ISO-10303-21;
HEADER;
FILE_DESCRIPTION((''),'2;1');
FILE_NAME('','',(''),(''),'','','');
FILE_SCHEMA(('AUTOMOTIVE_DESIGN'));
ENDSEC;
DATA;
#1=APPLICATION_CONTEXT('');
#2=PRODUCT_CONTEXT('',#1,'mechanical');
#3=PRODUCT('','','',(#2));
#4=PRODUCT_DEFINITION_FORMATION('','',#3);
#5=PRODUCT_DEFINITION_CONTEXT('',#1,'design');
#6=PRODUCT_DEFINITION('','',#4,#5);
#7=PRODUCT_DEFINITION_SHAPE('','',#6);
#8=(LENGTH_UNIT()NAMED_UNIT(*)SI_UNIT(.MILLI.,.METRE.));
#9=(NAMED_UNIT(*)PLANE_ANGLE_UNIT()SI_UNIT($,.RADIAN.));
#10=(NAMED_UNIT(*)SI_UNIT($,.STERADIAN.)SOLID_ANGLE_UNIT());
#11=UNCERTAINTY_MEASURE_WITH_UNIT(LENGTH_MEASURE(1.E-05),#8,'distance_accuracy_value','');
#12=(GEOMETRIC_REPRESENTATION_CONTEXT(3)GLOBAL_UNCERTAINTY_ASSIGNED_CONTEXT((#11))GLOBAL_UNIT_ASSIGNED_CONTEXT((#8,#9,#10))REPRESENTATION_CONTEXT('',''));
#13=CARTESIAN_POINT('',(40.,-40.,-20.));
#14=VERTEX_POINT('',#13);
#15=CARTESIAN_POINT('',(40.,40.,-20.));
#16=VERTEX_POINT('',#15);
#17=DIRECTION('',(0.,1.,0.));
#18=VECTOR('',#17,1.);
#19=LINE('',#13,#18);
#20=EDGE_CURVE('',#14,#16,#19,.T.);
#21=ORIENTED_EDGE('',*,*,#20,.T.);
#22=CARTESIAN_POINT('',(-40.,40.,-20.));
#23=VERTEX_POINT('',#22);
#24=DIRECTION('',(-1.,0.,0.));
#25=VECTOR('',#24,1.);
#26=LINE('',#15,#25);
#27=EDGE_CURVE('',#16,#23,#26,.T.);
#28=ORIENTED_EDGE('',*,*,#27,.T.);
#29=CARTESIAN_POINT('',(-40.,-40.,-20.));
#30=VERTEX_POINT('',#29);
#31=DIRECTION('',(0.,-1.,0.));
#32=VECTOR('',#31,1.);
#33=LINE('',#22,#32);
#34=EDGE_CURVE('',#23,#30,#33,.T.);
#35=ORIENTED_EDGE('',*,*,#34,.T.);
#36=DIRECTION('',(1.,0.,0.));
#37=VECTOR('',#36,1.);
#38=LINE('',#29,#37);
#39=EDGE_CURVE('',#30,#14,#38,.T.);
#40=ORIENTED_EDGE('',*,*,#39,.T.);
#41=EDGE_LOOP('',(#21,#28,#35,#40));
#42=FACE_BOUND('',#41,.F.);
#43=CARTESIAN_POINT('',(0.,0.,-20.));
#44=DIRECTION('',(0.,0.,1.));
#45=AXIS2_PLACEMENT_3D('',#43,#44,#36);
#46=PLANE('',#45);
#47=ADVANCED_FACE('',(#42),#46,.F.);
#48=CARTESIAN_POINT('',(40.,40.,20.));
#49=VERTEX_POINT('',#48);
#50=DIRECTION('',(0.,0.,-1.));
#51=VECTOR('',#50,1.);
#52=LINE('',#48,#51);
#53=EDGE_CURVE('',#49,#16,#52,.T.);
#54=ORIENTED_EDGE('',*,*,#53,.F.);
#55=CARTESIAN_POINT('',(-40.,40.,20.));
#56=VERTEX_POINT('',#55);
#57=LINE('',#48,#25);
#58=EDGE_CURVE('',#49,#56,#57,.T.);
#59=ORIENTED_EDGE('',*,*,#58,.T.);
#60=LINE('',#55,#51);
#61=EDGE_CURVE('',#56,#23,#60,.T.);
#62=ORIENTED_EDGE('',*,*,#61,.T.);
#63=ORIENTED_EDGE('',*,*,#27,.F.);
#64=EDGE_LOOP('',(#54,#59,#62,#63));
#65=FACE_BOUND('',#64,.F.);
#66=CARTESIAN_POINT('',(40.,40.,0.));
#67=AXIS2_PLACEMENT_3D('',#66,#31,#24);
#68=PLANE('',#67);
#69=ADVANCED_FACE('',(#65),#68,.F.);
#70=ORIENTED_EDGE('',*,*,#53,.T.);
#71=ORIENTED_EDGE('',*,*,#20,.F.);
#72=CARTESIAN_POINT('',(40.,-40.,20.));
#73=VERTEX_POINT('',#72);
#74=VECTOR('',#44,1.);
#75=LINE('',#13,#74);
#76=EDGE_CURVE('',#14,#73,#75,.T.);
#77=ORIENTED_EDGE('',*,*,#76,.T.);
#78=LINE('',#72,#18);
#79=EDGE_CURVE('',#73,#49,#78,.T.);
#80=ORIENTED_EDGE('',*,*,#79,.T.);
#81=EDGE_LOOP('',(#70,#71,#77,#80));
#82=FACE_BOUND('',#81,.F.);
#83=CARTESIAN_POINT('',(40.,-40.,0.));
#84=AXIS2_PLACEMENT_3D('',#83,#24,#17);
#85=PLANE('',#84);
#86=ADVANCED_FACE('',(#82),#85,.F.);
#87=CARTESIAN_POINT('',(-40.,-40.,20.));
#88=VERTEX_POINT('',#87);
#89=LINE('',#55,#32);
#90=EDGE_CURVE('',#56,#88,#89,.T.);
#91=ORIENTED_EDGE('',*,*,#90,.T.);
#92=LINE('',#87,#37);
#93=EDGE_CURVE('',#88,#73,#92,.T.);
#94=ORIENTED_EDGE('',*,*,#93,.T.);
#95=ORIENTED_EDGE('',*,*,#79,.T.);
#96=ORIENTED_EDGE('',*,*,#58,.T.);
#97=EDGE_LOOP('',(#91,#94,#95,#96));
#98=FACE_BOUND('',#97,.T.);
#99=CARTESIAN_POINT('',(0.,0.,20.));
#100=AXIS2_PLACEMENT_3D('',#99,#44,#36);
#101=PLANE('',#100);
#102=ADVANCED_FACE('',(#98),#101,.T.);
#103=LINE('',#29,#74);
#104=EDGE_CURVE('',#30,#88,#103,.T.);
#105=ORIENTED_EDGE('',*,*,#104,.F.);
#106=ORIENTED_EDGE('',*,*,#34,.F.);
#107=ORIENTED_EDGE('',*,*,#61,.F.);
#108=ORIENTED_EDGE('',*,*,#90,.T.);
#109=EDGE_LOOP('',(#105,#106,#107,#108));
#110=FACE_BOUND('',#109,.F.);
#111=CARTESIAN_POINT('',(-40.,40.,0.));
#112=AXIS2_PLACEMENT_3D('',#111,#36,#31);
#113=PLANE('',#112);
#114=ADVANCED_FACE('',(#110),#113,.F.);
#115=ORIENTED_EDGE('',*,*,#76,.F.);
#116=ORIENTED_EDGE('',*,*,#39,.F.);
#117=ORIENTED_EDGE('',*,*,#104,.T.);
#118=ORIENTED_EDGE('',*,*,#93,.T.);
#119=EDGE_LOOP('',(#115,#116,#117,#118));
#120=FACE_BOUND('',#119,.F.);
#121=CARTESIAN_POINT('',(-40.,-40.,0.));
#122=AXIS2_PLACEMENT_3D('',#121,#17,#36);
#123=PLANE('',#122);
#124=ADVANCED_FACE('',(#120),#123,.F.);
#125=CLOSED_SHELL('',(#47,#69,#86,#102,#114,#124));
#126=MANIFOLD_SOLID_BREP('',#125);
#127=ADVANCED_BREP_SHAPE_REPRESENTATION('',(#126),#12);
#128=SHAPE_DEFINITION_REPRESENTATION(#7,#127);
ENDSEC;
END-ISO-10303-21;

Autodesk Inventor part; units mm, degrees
ref_plane "YZ Plane" through (0, 0, 0) normal (1, 0, 0) x (0, 1, 0)
ref_plane "XZ Plane" through (0, 0, 0) normal (0, 1, 0) x (-1, 0, 0)
ref_plane "XY Plane" through (0, 0, 0) normal (0, 0, 1) x (1, 0, 0)
sketch "Sketch1" plane through (0, 0, 0) normal (0, 0, 1) x (1, 0, 0)
  line L0 (-40, -40) -> (40, -40)
  line L1 (40, -40) -> (40, 40)
  line L2 (40, 40) -> (-40, 40)
  line L3 (-40, 40) -> (-40, -40)
  line L4 (-40, -40) -> (40, 40) construction
  line L5 (40, -40) -> (-40, 40) construction
  point P0 (0, 0)
  dimension "d0" = 80
extrude "Extrusion1" add sketch "Sketch1" along normal mid plane 40
properties part number "Stock"
